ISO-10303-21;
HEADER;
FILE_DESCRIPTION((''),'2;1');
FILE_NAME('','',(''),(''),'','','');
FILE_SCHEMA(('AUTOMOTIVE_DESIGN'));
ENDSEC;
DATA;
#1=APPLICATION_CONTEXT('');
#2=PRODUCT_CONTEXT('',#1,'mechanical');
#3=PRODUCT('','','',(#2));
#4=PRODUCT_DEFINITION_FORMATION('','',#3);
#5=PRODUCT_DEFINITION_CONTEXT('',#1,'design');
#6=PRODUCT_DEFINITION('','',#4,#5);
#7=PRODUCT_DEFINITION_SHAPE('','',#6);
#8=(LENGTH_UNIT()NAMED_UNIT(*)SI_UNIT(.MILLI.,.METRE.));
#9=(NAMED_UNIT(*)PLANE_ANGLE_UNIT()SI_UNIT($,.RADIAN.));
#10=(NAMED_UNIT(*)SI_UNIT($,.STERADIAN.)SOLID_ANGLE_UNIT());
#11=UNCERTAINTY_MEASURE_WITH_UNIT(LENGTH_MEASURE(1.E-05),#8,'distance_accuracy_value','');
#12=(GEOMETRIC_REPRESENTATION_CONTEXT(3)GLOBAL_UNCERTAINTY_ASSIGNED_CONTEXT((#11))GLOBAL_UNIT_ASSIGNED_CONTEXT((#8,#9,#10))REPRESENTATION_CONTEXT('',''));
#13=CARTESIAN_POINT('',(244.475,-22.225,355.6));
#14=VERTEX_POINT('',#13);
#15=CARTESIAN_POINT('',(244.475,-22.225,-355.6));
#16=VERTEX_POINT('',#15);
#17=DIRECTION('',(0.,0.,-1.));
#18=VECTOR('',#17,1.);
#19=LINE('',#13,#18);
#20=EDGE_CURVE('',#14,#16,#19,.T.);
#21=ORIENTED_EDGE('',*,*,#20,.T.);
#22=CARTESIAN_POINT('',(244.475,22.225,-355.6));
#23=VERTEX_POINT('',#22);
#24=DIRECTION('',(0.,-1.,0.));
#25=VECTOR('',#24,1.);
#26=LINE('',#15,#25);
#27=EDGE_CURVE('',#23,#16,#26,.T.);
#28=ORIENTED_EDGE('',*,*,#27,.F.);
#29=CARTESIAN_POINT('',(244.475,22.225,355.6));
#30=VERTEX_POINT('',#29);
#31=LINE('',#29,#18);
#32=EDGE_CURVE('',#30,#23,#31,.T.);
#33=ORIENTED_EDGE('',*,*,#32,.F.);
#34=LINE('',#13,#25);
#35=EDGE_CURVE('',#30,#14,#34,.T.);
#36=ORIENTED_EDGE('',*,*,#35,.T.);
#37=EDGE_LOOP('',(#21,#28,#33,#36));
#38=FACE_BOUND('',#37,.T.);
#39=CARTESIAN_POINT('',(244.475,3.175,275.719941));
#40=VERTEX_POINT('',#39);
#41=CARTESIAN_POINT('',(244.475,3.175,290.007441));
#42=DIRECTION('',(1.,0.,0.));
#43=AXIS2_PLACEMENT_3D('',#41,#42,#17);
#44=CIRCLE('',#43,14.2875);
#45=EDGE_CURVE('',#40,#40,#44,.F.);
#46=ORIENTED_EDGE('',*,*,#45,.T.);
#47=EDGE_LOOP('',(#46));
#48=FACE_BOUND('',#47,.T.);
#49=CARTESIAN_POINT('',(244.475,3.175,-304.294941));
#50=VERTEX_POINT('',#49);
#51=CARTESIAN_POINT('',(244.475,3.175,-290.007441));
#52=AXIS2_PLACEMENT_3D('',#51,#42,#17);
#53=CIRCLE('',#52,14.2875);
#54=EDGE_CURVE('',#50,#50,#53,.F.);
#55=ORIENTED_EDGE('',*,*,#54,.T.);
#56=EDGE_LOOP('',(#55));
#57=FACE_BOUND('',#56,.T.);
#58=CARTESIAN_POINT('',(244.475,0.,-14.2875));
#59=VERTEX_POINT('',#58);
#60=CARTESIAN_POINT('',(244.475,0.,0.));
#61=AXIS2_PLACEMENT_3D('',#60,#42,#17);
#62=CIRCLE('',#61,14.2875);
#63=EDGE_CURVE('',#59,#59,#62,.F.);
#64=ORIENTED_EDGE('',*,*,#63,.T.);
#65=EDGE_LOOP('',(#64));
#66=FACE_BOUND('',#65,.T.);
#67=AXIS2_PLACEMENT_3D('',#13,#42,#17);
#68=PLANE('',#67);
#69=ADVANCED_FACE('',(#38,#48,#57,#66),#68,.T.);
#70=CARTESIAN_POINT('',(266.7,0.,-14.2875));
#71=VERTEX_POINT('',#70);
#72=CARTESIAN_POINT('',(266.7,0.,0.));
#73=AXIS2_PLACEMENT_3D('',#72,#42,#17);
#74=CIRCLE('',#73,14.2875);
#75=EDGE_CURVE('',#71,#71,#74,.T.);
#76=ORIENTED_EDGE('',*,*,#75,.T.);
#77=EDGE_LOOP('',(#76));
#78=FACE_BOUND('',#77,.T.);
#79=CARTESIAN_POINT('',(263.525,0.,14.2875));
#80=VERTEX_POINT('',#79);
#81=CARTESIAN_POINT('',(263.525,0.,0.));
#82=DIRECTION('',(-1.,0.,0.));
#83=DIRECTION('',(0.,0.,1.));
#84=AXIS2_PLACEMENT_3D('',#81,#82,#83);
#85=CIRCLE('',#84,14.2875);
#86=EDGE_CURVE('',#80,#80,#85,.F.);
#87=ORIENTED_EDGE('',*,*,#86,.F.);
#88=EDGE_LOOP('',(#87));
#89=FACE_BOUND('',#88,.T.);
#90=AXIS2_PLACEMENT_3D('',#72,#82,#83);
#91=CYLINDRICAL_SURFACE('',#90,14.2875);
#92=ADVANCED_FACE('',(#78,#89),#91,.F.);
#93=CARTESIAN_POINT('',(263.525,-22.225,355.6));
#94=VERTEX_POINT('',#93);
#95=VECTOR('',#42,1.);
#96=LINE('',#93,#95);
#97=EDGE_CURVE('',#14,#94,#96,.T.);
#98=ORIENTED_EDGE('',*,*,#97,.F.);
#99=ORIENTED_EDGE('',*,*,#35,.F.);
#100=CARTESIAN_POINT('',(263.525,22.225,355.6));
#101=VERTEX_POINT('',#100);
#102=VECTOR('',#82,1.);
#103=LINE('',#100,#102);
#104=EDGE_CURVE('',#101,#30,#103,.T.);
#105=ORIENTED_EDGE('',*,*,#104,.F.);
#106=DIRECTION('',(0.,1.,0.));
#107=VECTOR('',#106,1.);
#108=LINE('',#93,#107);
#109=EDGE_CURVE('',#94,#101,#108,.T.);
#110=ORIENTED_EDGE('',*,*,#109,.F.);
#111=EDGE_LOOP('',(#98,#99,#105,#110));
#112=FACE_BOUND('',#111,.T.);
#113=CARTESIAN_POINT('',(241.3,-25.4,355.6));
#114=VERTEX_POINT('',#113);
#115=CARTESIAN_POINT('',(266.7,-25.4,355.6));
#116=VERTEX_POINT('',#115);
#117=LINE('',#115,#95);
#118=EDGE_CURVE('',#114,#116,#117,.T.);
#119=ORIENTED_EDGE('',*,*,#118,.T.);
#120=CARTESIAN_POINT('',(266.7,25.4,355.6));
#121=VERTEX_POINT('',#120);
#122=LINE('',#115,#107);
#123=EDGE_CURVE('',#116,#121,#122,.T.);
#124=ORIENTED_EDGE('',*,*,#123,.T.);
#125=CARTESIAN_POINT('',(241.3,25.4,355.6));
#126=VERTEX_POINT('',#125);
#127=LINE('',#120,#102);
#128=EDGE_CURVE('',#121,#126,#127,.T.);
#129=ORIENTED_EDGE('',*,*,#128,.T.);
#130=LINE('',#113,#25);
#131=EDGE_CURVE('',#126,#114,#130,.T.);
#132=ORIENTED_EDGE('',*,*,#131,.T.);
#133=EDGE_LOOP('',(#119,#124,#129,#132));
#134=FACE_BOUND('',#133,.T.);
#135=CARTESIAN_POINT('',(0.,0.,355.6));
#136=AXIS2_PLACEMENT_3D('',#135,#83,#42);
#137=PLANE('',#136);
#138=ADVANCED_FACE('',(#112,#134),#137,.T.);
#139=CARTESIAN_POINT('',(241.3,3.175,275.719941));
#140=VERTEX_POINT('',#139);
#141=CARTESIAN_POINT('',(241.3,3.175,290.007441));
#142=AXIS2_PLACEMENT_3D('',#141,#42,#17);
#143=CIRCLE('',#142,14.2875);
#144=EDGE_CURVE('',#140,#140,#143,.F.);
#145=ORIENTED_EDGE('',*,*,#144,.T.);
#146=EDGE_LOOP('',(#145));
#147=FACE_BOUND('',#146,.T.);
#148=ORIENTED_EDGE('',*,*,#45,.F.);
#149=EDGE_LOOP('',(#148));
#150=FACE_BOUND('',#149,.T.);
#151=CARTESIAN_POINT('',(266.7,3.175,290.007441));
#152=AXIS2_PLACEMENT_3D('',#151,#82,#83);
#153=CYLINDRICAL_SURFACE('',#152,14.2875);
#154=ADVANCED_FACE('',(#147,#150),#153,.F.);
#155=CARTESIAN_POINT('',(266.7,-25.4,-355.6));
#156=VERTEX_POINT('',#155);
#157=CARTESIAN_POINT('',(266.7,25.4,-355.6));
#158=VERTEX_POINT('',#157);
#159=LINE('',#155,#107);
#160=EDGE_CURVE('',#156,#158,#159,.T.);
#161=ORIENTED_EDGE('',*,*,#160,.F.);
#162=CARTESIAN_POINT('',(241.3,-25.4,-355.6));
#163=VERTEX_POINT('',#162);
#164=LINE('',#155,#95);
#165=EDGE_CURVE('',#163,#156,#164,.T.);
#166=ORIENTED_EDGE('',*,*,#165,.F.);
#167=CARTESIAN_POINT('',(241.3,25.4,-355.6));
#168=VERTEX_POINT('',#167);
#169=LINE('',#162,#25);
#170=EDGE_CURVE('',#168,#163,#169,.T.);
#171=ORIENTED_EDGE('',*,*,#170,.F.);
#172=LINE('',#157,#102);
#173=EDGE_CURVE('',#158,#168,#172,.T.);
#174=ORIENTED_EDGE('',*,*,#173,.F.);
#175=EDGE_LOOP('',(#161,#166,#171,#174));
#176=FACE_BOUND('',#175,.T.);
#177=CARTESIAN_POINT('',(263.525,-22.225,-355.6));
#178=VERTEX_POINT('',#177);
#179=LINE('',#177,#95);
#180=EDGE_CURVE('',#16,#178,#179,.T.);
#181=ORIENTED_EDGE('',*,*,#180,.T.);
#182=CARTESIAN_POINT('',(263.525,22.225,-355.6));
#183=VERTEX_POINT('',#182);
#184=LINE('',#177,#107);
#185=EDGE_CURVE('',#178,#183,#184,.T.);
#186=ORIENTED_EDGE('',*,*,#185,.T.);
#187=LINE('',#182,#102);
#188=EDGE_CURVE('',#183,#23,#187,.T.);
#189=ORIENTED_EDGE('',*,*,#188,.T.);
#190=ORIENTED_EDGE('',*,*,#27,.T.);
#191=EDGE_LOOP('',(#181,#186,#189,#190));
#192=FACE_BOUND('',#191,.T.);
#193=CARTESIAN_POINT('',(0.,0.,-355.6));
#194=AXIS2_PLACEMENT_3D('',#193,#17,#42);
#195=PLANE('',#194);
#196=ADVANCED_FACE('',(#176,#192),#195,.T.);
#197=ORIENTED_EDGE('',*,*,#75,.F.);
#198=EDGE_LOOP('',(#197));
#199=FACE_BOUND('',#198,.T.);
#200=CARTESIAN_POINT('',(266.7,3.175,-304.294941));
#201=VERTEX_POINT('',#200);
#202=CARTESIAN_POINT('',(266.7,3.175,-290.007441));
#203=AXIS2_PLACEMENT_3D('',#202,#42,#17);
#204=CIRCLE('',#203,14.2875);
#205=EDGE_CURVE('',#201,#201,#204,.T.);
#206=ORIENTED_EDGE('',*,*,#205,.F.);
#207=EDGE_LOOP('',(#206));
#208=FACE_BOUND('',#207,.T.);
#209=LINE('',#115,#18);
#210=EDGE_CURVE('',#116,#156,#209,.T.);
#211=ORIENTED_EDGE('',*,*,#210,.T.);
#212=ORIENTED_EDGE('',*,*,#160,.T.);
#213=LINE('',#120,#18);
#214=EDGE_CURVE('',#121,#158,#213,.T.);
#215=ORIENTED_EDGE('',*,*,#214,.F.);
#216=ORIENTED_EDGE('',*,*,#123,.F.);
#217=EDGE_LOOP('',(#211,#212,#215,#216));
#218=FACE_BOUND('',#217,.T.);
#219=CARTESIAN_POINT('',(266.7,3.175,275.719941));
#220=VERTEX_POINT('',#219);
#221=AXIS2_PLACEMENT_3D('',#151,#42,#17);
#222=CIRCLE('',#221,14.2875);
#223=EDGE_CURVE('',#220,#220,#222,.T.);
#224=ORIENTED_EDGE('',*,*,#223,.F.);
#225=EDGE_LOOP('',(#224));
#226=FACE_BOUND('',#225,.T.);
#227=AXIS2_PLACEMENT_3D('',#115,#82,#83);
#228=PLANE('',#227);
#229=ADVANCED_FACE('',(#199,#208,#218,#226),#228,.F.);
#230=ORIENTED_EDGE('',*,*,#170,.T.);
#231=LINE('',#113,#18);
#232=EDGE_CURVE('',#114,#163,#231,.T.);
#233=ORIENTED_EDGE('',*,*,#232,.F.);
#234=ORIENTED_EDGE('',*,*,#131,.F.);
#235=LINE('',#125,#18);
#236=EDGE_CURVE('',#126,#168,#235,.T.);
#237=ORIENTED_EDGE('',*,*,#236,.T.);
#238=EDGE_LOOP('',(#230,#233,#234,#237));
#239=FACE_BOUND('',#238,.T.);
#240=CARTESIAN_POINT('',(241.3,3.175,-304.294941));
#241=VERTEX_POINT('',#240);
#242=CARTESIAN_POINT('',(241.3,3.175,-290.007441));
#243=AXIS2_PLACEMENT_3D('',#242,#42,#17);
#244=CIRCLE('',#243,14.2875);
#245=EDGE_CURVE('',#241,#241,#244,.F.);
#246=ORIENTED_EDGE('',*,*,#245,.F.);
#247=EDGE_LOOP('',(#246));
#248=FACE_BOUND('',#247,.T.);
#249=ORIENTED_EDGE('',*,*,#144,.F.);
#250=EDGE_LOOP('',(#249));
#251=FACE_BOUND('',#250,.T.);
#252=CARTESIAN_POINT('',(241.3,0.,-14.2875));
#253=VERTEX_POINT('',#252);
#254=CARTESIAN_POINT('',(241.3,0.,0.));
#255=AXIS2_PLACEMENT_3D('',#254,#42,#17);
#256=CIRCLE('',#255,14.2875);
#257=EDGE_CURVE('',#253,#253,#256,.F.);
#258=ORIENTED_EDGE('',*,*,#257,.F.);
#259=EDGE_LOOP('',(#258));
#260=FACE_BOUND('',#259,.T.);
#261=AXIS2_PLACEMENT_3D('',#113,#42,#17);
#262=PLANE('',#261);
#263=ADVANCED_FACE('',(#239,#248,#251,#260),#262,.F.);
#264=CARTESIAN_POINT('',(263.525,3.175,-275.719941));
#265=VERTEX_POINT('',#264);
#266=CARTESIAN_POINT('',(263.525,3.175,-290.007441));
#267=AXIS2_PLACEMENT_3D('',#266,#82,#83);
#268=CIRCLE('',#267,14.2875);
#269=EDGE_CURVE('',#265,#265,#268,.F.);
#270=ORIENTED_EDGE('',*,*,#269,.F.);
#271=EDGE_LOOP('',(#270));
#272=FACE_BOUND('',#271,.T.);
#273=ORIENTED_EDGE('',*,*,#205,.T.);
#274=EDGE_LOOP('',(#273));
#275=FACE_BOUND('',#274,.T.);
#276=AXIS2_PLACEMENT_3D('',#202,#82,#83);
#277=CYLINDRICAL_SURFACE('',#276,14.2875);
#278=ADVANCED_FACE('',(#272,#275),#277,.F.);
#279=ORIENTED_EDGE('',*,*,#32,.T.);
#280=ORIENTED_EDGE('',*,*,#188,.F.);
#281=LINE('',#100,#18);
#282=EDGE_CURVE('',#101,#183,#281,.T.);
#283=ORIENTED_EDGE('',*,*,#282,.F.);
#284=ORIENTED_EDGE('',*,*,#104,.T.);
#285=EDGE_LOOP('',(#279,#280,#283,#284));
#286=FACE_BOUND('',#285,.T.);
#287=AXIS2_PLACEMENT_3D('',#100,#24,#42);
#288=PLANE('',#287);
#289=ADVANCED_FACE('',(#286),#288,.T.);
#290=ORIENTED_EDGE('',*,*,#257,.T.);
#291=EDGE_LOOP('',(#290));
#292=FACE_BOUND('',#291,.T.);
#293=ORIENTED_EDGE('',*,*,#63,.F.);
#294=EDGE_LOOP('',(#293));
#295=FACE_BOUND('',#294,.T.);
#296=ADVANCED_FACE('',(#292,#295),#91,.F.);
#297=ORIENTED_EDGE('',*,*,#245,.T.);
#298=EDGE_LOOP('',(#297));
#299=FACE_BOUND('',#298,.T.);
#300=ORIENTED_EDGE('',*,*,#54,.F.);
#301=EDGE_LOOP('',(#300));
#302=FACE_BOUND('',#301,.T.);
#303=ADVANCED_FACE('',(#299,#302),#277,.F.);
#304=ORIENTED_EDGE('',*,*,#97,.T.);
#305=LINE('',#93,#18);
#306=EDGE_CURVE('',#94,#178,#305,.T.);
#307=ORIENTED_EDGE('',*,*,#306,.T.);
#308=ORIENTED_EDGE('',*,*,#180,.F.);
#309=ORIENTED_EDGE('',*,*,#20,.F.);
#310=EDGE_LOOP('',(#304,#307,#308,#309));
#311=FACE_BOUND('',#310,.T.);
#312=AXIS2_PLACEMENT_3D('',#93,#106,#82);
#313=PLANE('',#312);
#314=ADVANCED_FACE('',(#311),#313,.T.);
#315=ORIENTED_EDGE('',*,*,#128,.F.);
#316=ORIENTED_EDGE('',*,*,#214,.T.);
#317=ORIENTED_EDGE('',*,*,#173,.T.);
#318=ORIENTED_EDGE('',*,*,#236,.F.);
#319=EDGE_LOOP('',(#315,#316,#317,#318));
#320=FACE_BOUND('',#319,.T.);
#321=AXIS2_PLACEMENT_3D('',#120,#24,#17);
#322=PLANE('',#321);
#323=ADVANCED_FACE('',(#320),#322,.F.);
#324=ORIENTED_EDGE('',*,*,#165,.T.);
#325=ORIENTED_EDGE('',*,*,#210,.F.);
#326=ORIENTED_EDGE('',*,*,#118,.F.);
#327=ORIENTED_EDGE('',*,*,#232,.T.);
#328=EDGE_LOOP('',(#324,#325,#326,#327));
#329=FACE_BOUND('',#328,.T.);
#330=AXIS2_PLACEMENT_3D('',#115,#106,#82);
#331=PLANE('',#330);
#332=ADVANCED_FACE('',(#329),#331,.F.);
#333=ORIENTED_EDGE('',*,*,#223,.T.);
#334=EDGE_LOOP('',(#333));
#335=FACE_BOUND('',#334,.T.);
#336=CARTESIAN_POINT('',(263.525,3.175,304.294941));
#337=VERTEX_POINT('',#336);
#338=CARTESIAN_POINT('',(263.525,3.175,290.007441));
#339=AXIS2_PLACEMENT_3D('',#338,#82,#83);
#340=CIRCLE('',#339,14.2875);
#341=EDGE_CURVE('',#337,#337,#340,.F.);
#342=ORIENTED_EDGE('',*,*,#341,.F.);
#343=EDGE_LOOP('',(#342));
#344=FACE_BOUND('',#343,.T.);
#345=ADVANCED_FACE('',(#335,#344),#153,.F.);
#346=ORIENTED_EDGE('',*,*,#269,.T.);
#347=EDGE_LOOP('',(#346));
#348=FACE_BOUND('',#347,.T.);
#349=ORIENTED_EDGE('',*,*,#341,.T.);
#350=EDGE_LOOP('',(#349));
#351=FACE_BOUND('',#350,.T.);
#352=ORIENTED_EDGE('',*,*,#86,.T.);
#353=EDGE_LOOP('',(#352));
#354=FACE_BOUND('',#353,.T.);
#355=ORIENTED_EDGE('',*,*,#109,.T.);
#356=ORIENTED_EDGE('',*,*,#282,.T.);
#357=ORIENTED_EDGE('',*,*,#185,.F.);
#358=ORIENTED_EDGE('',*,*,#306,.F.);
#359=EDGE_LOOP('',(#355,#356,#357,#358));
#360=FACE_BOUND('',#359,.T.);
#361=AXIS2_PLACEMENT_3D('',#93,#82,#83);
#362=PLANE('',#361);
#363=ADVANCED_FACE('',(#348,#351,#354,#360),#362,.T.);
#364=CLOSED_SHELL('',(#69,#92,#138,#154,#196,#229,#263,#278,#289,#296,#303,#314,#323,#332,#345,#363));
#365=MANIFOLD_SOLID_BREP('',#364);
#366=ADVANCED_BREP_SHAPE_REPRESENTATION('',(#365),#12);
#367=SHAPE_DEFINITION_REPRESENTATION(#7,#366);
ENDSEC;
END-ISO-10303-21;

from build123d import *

# Parameters (mm, degrees)
SKETCH1_W           = 25.4
SKETCH1_H           = 50.8
SKETCH1_W_2         = 19.05
SKETCH1_H_2         = 44.45
BOSS_EXTRUDE1_DEPTH = 355.6
SKETCH2_R           = 14.2875
CUT_EXTRUDE1_DEPTH  = 446.225122831


with BuildPart() as part:
    # Sketch1 → Boss-Extrude1 (new body)
    with BuildSketch(Plane.XY):
        with Locations((254, 0)):
            Rectangle(SKETCH1_W, SKETCH1_H)
        with Locations((254, 0)):
            Rectangle(SKETCH1_W_2, SKETCH1_H_2, mode=Mode.SUBTRACT)
    boss_extrude1 = extrude(amount=BOSS_EXTRUDE1_DEPTH)

    # Mirror1: Boss-Extrude1 across plane
    add(boss_extrude1.mirror(Plane.XY))

    # Sketch2 → Cut-Extrude1 (cut, through all)
    with BuildSketch(Plane(origin=(0, 0, 0), x_dir=(0, 0, -1), z_dir=(1, 0, 0))):
        with Locations((290.007440579, 3.175)):
            Circle(SKETCH2_R)
        Circle(SKETCH2_R)
        with Locations((-290.007440579, 3.175)):
            Circle(SKETCH2_R)
    extrude(amount=CUT_EXTRUDE1_DEPTH, mode=Mode.SUBTRACT)


solid = part.part
